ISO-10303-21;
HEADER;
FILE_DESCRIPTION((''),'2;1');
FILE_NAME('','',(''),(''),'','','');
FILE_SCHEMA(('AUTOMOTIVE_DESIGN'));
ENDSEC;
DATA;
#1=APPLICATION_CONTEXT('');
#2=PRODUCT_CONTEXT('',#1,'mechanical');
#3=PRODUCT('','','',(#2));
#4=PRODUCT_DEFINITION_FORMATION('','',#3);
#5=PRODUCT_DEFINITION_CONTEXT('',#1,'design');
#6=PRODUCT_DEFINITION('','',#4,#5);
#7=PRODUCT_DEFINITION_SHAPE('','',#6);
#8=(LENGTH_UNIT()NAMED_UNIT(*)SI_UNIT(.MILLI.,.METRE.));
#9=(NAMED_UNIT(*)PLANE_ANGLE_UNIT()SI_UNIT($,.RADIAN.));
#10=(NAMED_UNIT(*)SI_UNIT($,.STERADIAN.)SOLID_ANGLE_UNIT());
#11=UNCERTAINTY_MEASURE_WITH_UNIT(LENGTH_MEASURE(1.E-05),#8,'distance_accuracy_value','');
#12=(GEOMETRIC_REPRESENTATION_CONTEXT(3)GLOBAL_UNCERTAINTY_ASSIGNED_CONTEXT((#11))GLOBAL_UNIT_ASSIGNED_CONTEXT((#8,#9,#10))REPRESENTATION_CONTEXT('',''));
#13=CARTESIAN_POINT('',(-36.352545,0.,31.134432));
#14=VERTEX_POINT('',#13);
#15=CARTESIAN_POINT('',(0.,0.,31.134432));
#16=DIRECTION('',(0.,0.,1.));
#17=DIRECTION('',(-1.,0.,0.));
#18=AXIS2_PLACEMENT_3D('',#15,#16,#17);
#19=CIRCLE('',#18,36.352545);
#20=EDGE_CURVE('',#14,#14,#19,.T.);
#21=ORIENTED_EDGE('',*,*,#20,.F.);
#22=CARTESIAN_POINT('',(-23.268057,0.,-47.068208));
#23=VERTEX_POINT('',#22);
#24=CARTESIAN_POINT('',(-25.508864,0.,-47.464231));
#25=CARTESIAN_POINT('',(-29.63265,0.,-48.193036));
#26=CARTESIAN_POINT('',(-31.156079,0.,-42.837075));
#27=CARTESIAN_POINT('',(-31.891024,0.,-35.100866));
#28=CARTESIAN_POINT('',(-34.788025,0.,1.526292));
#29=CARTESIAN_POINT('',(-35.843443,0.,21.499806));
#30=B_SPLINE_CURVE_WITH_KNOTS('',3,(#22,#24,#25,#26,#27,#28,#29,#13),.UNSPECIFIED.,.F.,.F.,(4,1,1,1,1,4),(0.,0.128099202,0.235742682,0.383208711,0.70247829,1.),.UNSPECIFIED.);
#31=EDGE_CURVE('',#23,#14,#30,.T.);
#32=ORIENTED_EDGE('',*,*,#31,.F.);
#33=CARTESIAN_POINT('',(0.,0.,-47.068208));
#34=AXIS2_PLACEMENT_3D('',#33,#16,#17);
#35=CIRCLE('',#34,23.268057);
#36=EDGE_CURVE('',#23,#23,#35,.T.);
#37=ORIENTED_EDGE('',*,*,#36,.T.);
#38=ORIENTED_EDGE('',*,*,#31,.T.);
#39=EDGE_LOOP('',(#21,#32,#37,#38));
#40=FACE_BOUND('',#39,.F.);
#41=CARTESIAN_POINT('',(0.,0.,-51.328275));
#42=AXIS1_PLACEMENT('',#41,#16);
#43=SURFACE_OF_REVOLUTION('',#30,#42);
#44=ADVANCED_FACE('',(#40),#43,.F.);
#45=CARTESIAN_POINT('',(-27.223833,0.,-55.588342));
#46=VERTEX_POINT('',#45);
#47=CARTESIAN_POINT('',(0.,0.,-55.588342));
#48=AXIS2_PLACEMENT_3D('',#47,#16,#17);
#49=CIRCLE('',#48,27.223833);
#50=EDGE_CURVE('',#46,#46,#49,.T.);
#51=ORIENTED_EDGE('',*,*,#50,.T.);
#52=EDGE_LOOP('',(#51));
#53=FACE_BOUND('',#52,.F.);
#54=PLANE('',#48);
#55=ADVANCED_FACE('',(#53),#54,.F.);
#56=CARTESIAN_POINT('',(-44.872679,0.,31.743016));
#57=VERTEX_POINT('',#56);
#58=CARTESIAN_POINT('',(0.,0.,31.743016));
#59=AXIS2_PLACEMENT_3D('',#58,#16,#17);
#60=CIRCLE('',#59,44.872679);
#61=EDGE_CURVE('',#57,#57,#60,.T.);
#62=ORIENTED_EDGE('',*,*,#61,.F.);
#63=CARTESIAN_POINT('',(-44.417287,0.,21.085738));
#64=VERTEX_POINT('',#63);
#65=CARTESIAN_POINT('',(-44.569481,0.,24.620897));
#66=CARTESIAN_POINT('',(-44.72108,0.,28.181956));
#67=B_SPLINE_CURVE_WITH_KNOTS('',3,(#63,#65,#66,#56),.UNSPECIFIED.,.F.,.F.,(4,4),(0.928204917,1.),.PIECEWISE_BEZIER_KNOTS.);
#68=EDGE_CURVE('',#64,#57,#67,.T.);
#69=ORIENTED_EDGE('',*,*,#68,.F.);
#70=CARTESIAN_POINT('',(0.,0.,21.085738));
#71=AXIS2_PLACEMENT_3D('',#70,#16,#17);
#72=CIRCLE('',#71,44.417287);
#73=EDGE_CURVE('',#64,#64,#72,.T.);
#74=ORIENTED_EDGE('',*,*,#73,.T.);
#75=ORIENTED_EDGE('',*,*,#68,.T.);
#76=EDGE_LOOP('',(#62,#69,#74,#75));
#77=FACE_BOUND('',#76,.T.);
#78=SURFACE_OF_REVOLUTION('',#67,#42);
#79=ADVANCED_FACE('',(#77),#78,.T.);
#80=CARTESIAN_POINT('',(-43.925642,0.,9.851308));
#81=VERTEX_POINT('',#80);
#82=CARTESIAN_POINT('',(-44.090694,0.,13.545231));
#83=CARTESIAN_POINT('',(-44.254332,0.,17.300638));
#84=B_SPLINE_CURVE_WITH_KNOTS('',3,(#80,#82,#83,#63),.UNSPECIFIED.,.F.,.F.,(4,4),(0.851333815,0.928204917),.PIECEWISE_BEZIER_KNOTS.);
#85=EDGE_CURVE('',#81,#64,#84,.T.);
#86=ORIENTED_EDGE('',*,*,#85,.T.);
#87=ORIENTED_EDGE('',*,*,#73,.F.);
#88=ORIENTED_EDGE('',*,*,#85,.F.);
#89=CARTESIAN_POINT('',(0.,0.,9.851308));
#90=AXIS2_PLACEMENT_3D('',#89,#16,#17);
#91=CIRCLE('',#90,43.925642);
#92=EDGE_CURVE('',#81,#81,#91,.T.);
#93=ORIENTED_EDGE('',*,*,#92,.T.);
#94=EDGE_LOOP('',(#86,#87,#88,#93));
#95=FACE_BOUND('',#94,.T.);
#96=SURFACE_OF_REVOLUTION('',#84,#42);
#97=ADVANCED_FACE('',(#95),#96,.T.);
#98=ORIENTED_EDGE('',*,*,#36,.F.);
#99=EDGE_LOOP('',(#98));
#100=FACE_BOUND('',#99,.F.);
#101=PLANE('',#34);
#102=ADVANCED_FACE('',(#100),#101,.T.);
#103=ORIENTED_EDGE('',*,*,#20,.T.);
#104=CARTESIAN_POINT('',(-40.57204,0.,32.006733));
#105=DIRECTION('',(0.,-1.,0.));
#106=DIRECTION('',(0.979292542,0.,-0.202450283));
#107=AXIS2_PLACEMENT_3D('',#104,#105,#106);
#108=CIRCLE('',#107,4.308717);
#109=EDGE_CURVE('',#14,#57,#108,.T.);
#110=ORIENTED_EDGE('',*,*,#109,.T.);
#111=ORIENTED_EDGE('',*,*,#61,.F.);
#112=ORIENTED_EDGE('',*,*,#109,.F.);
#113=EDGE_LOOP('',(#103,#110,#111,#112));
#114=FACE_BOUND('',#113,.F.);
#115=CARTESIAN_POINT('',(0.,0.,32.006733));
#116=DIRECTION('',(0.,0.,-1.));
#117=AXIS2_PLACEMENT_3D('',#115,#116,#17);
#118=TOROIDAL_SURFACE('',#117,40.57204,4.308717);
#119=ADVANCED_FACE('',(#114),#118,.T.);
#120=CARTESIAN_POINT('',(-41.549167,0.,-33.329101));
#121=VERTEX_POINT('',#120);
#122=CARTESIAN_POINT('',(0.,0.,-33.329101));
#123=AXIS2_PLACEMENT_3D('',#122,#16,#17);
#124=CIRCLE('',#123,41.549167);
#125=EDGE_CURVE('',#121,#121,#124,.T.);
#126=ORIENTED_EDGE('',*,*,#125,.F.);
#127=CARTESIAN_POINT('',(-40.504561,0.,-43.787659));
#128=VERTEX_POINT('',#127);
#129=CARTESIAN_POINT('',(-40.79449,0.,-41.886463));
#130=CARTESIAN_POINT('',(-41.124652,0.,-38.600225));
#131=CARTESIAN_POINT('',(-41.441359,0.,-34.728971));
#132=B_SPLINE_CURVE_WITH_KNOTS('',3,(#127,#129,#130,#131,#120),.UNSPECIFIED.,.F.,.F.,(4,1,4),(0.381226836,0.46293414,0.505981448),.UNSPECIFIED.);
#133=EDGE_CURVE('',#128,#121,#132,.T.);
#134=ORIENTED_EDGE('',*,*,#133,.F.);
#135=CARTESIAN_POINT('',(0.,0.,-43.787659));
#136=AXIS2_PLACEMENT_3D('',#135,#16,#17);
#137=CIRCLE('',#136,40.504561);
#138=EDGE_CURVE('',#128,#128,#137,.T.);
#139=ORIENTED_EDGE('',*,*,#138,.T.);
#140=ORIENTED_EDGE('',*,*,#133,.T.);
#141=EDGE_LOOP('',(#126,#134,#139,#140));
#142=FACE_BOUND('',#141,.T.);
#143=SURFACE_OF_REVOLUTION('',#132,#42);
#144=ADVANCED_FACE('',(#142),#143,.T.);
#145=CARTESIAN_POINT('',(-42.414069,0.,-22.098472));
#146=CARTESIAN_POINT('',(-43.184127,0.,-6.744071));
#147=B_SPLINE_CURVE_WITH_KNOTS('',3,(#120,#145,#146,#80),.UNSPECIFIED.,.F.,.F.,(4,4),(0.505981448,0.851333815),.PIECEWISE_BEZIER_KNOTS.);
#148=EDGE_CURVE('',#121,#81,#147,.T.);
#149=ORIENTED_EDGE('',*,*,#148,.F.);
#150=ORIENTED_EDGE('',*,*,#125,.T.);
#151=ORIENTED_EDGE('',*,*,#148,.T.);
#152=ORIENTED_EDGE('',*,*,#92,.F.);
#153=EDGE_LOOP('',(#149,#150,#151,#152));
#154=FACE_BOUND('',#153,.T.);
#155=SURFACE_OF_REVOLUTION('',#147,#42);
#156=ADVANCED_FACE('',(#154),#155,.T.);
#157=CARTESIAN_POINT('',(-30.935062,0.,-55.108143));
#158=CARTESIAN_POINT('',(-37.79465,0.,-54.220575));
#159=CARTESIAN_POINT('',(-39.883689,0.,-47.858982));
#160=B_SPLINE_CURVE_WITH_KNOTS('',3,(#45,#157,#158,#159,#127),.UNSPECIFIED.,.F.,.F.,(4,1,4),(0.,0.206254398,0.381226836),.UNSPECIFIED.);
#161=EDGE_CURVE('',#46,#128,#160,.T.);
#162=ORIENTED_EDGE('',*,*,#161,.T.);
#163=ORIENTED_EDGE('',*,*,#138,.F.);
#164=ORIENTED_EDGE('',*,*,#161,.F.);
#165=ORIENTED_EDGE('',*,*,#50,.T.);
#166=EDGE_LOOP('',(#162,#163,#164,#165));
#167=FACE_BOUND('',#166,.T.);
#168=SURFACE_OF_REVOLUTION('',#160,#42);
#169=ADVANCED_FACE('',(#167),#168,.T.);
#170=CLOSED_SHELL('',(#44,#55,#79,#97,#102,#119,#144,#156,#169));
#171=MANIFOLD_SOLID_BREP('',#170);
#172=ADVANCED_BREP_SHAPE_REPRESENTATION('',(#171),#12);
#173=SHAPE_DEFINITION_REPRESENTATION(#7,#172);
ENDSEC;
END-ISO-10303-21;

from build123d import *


with BuildPart() as f1:
    # F0 (on Front) → F1 (revolve)
    with BuildSketch(Plane.XZ):
        with BuildLine():
            Line((-27.2238329053, -55.5883422494), (0, -55.5883422494))
            Line((0, -55.5883422494), (0, -47.068208456))
            Line((0, -47.068208456), (-23.2680570334, -47.068208456))
            add(Edge.make_bspline(
                [(-23.2680570334, -47.068208456), (-25.5088637186, -47.4642308074), (-29.6326503464, -48.1930360576), (-31.1560791205, -42.8370749408), (-31.8910235678, -35.1008660903), (-34.7880248023, 1.5262923699), (-35.8434428533, 21.4998055282), (-36.352545023, 31.1344321817)],
                knots=[0, 0, 0, 0, 0.1280992022, 0.2357426817, 0.3832087108, 0.7024782897, 1, 1, 1, 1], degree=3))
            ThreePointArc((-36.352545023, 31.1344321817), (-40.2650547895, 36.3045005578), (-44.8726788163, 31.743016094))
            add(Edge.make_bspline(
                [(-44.4172865669, 21.0857379546), (-44.5694811204, 24.6208968985), (-44.7210799684, 28.1819564962), (-44.8726788163, 31.743016094)],
                knots=[0.9282049168, 0.9282049168, 0.9282049168, 0.9282049168, 1, 1, 1, 1], degree=3))
            add(Edge.make_bspline(
                [(-43.9256418108, 9.8513077213), (-44.0906937814, 13.5452306732), (-44.2543316331, 17.3006380376), (-44.4172865669, 21.0857379546)],
                knots=[0.8513338149, 0.8513338149, 0.8513338149, 0.8513338149, 0.9282049168, 0.9282049168, 0.9282049168, 0.9282049168], degree=3))
            add(Edge.make_bspline(
                [(-41.5491669902, -33.3291011108), (-42.414069446, -22.0984724428), (-43.184126635, -6.7440707967), (-43.9256418108, 9.8513077213)],
                knots=[0.5059814484, 0.5059814484, 0.5059814484, 0.5059814484, 0.8513338149, 0.8513338149, 0.8513338149, 0.8513338149], degree=3))
            add(Edge.make_bspline(
                [(-40.5045605351, -43.7876585582), (-40.7944902932, -41.8864626635), (-41.1246522492, -38.6002245299), (-41.4413590627, -34.72897088), (-41.5491669902, -33.3291011108)],
                knots=[0.3812268362, 0.3812268362, 0.3812268362, 0.3812268362, 0.4629341398, 0.5059814484, 0.5059814484, 0.5059814484, 0.5059814484], degree=3))
            add(Edge.make_bspline(
                [(-27.2238329053, -55.5883422494), (-30.9350621627, -55.1081430588), (-37.7946501224, -54.2205749896), (-39.8836892751, -47.8589822424), (-40.5045605351, -43.7876585582)],
                knots=[0, 0, 0, 0, 0.2062543985, 0.3812268362, 0.3812268362, 0.3812268362, 0.3812268362], degree=3))
        make_face()
    revolve(axis=Axis((0, 0, -51.3282753527), (0, 0, 1)))


solid = f1.part
